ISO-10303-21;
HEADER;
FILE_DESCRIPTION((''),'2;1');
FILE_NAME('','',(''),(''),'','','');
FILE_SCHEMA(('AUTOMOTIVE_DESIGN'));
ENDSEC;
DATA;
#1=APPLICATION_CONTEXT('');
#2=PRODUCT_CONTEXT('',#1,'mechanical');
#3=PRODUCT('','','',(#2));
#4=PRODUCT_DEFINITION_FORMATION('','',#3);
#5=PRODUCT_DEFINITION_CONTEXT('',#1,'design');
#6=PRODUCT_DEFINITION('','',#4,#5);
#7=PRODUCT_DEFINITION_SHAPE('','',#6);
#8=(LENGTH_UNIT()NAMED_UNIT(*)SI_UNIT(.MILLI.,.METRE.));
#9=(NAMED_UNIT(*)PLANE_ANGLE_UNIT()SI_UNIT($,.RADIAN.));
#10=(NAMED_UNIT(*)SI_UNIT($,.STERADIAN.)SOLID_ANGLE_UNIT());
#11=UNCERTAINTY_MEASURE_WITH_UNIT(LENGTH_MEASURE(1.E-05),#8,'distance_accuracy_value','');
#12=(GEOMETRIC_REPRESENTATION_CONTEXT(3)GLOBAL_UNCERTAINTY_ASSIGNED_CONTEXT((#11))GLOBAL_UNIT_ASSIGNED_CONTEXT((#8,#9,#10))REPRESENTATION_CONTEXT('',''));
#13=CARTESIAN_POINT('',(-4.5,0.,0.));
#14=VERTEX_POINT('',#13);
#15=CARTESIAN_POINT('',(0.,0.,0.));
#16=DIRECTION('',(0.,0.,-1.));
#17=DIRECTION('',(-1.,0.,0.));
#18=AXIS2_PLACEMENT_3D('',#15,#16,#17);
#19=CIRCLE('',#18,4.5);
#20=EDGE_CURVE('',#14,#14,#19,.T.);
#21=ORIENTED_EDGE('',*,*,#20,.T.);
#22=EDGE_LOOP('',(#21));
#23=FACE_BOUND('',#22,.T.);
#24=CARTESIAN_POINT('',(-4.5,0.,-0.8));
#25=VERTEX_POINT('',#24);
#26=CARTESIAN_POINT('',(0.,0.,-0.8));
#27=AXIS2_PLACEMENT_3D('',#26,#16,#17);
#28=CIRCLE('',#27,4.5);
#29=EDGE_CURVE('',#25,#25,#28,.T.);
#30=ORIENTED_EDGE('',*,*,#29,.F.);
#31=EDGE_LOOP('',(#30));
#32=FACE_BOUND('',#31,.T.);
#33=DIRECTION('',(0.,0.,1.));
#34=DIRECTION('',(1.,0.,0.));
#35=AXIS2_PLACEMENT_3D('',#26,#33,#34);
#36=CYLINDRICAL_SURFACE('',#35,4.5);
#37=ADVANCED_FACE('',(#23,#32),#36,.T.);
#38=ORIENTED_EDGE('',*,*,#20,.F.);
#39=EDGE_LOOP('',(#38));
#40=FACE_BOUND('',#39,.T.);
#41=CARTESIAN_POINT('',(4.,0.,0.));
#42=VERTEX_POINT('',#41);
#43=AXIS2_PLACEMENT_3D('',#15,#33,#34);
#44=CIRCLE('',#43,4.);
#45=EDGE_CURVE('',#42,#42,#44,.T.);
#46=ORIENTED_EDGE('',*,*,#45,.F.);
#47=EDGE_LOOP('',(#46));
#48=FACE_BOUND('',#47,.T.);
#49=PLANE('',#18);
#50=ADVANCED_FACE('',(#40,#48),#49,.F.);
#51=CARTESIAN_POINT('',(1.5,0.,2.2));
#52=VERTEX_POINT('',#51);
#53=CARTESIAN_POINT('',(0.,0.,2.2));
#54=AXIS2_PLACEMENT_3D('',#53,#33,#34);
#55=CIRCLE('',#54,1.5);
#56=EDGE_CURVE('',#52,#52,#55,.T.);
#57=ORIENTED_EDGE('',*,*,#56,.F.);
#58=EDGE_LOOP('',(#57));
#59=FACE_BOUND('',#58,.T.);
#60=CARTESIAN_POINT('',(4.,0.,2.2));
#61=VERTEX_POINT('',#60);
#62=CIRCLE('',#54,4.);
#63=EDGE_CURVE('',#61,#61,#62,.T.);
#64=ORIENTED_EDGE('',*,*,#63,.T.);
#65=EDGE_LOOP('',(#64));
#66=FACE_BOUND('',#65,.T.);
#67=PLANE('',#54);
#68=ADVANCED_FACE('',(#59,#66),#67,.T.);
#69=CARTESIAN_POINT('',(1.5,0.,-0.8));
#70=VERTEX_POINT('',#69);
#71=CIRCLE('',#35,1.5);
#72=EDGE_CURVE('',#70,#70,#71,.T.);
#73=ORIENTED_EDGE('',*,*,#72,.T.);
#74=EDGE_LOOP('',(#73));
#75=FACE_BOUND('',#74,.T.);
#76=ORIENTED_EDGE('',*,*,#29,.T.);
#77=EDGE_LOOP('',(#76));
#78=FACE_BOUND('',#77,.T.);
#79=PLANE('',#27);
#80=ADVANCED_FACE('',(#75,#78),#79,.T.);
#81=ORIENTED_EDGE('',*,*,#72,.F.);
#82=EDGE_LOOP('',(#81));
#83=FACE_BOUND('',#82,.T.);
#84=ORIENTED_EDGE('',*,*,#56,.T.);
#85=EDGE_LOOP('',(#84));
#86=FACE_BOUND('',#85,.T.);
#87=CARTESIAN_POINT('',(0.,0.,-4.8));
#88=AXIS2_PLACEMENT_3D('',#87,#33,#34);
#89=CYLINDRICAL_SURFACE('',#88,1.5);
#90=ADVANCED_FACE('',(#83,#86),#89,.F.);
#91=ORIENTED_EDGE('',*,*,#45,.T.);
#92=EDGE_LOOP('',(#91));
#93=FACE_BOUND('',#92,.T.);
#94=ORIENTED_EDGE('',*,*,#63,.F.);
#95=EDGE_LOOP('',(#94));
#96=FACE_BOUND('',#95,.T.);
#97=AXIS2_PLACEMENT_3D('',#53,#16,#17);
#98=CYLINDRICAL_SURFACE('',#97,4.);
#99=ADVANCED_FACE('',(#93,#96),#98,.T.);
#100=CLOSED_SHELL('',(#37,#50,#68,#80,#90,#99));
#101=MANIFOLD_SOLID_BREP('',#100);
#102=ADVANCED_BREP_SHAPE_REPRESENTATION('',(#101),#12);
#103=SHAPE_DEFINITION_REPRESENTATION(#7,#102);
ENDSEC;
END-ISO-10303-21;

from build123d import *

# Parameters (mm, degrees)
SKETCH_1_R          = 4
EXTRUDE_1_DEPTH     = 2.2
SKETCH_2_R          = 1.5
CUT_EXTRUDE_1_DEPTH = 7
SKETCH_3_R          = 4.5
EXTRUDE_2_DEPTH     = 0.8
SKETCH_4_R          = 1.5
CUT_EXTRUDE_2_DEPTH = 0.8


with BuildPart() as part:
    # 草图1 → 凸台-拉伸1 (new body)
    with BuildSketch(Plane.XY):
        Circle(SKETCH_1_R)
    extrude(amount=EXTRUDE_1_DEPTH)

    # 草图2 → 切除-拉伸1 (cut)
    with BuildSketch(Plane.XY.offset(2.2)):
        Circle(SKETCH_2_R)
    extrude(amount=-CUT_EXTRUDE_1_DEPTH, mode=Mode.SUBTRACT)

    # 草图3 → 凸台-拉伸2 (add)
    with BuildSketch(Plane(origin=(0, 0, 0), x_dir=(-1, 0, 0), z_dir=(0, 0, -1))):
        Circle(SKETCH_3_R)
    extrude(amount=EXTRUDE_2_DEPTH)

    # 草图4 → 切除-拉伸2 (cut)
    with BuildSketch(Plane.XY):
        Circle(SKETCH_4_R)
    extrude(amount=-CUT_EXTRUDE_2_DEPTH, mode=Mode.SUBTRACT)


solid = part.part
